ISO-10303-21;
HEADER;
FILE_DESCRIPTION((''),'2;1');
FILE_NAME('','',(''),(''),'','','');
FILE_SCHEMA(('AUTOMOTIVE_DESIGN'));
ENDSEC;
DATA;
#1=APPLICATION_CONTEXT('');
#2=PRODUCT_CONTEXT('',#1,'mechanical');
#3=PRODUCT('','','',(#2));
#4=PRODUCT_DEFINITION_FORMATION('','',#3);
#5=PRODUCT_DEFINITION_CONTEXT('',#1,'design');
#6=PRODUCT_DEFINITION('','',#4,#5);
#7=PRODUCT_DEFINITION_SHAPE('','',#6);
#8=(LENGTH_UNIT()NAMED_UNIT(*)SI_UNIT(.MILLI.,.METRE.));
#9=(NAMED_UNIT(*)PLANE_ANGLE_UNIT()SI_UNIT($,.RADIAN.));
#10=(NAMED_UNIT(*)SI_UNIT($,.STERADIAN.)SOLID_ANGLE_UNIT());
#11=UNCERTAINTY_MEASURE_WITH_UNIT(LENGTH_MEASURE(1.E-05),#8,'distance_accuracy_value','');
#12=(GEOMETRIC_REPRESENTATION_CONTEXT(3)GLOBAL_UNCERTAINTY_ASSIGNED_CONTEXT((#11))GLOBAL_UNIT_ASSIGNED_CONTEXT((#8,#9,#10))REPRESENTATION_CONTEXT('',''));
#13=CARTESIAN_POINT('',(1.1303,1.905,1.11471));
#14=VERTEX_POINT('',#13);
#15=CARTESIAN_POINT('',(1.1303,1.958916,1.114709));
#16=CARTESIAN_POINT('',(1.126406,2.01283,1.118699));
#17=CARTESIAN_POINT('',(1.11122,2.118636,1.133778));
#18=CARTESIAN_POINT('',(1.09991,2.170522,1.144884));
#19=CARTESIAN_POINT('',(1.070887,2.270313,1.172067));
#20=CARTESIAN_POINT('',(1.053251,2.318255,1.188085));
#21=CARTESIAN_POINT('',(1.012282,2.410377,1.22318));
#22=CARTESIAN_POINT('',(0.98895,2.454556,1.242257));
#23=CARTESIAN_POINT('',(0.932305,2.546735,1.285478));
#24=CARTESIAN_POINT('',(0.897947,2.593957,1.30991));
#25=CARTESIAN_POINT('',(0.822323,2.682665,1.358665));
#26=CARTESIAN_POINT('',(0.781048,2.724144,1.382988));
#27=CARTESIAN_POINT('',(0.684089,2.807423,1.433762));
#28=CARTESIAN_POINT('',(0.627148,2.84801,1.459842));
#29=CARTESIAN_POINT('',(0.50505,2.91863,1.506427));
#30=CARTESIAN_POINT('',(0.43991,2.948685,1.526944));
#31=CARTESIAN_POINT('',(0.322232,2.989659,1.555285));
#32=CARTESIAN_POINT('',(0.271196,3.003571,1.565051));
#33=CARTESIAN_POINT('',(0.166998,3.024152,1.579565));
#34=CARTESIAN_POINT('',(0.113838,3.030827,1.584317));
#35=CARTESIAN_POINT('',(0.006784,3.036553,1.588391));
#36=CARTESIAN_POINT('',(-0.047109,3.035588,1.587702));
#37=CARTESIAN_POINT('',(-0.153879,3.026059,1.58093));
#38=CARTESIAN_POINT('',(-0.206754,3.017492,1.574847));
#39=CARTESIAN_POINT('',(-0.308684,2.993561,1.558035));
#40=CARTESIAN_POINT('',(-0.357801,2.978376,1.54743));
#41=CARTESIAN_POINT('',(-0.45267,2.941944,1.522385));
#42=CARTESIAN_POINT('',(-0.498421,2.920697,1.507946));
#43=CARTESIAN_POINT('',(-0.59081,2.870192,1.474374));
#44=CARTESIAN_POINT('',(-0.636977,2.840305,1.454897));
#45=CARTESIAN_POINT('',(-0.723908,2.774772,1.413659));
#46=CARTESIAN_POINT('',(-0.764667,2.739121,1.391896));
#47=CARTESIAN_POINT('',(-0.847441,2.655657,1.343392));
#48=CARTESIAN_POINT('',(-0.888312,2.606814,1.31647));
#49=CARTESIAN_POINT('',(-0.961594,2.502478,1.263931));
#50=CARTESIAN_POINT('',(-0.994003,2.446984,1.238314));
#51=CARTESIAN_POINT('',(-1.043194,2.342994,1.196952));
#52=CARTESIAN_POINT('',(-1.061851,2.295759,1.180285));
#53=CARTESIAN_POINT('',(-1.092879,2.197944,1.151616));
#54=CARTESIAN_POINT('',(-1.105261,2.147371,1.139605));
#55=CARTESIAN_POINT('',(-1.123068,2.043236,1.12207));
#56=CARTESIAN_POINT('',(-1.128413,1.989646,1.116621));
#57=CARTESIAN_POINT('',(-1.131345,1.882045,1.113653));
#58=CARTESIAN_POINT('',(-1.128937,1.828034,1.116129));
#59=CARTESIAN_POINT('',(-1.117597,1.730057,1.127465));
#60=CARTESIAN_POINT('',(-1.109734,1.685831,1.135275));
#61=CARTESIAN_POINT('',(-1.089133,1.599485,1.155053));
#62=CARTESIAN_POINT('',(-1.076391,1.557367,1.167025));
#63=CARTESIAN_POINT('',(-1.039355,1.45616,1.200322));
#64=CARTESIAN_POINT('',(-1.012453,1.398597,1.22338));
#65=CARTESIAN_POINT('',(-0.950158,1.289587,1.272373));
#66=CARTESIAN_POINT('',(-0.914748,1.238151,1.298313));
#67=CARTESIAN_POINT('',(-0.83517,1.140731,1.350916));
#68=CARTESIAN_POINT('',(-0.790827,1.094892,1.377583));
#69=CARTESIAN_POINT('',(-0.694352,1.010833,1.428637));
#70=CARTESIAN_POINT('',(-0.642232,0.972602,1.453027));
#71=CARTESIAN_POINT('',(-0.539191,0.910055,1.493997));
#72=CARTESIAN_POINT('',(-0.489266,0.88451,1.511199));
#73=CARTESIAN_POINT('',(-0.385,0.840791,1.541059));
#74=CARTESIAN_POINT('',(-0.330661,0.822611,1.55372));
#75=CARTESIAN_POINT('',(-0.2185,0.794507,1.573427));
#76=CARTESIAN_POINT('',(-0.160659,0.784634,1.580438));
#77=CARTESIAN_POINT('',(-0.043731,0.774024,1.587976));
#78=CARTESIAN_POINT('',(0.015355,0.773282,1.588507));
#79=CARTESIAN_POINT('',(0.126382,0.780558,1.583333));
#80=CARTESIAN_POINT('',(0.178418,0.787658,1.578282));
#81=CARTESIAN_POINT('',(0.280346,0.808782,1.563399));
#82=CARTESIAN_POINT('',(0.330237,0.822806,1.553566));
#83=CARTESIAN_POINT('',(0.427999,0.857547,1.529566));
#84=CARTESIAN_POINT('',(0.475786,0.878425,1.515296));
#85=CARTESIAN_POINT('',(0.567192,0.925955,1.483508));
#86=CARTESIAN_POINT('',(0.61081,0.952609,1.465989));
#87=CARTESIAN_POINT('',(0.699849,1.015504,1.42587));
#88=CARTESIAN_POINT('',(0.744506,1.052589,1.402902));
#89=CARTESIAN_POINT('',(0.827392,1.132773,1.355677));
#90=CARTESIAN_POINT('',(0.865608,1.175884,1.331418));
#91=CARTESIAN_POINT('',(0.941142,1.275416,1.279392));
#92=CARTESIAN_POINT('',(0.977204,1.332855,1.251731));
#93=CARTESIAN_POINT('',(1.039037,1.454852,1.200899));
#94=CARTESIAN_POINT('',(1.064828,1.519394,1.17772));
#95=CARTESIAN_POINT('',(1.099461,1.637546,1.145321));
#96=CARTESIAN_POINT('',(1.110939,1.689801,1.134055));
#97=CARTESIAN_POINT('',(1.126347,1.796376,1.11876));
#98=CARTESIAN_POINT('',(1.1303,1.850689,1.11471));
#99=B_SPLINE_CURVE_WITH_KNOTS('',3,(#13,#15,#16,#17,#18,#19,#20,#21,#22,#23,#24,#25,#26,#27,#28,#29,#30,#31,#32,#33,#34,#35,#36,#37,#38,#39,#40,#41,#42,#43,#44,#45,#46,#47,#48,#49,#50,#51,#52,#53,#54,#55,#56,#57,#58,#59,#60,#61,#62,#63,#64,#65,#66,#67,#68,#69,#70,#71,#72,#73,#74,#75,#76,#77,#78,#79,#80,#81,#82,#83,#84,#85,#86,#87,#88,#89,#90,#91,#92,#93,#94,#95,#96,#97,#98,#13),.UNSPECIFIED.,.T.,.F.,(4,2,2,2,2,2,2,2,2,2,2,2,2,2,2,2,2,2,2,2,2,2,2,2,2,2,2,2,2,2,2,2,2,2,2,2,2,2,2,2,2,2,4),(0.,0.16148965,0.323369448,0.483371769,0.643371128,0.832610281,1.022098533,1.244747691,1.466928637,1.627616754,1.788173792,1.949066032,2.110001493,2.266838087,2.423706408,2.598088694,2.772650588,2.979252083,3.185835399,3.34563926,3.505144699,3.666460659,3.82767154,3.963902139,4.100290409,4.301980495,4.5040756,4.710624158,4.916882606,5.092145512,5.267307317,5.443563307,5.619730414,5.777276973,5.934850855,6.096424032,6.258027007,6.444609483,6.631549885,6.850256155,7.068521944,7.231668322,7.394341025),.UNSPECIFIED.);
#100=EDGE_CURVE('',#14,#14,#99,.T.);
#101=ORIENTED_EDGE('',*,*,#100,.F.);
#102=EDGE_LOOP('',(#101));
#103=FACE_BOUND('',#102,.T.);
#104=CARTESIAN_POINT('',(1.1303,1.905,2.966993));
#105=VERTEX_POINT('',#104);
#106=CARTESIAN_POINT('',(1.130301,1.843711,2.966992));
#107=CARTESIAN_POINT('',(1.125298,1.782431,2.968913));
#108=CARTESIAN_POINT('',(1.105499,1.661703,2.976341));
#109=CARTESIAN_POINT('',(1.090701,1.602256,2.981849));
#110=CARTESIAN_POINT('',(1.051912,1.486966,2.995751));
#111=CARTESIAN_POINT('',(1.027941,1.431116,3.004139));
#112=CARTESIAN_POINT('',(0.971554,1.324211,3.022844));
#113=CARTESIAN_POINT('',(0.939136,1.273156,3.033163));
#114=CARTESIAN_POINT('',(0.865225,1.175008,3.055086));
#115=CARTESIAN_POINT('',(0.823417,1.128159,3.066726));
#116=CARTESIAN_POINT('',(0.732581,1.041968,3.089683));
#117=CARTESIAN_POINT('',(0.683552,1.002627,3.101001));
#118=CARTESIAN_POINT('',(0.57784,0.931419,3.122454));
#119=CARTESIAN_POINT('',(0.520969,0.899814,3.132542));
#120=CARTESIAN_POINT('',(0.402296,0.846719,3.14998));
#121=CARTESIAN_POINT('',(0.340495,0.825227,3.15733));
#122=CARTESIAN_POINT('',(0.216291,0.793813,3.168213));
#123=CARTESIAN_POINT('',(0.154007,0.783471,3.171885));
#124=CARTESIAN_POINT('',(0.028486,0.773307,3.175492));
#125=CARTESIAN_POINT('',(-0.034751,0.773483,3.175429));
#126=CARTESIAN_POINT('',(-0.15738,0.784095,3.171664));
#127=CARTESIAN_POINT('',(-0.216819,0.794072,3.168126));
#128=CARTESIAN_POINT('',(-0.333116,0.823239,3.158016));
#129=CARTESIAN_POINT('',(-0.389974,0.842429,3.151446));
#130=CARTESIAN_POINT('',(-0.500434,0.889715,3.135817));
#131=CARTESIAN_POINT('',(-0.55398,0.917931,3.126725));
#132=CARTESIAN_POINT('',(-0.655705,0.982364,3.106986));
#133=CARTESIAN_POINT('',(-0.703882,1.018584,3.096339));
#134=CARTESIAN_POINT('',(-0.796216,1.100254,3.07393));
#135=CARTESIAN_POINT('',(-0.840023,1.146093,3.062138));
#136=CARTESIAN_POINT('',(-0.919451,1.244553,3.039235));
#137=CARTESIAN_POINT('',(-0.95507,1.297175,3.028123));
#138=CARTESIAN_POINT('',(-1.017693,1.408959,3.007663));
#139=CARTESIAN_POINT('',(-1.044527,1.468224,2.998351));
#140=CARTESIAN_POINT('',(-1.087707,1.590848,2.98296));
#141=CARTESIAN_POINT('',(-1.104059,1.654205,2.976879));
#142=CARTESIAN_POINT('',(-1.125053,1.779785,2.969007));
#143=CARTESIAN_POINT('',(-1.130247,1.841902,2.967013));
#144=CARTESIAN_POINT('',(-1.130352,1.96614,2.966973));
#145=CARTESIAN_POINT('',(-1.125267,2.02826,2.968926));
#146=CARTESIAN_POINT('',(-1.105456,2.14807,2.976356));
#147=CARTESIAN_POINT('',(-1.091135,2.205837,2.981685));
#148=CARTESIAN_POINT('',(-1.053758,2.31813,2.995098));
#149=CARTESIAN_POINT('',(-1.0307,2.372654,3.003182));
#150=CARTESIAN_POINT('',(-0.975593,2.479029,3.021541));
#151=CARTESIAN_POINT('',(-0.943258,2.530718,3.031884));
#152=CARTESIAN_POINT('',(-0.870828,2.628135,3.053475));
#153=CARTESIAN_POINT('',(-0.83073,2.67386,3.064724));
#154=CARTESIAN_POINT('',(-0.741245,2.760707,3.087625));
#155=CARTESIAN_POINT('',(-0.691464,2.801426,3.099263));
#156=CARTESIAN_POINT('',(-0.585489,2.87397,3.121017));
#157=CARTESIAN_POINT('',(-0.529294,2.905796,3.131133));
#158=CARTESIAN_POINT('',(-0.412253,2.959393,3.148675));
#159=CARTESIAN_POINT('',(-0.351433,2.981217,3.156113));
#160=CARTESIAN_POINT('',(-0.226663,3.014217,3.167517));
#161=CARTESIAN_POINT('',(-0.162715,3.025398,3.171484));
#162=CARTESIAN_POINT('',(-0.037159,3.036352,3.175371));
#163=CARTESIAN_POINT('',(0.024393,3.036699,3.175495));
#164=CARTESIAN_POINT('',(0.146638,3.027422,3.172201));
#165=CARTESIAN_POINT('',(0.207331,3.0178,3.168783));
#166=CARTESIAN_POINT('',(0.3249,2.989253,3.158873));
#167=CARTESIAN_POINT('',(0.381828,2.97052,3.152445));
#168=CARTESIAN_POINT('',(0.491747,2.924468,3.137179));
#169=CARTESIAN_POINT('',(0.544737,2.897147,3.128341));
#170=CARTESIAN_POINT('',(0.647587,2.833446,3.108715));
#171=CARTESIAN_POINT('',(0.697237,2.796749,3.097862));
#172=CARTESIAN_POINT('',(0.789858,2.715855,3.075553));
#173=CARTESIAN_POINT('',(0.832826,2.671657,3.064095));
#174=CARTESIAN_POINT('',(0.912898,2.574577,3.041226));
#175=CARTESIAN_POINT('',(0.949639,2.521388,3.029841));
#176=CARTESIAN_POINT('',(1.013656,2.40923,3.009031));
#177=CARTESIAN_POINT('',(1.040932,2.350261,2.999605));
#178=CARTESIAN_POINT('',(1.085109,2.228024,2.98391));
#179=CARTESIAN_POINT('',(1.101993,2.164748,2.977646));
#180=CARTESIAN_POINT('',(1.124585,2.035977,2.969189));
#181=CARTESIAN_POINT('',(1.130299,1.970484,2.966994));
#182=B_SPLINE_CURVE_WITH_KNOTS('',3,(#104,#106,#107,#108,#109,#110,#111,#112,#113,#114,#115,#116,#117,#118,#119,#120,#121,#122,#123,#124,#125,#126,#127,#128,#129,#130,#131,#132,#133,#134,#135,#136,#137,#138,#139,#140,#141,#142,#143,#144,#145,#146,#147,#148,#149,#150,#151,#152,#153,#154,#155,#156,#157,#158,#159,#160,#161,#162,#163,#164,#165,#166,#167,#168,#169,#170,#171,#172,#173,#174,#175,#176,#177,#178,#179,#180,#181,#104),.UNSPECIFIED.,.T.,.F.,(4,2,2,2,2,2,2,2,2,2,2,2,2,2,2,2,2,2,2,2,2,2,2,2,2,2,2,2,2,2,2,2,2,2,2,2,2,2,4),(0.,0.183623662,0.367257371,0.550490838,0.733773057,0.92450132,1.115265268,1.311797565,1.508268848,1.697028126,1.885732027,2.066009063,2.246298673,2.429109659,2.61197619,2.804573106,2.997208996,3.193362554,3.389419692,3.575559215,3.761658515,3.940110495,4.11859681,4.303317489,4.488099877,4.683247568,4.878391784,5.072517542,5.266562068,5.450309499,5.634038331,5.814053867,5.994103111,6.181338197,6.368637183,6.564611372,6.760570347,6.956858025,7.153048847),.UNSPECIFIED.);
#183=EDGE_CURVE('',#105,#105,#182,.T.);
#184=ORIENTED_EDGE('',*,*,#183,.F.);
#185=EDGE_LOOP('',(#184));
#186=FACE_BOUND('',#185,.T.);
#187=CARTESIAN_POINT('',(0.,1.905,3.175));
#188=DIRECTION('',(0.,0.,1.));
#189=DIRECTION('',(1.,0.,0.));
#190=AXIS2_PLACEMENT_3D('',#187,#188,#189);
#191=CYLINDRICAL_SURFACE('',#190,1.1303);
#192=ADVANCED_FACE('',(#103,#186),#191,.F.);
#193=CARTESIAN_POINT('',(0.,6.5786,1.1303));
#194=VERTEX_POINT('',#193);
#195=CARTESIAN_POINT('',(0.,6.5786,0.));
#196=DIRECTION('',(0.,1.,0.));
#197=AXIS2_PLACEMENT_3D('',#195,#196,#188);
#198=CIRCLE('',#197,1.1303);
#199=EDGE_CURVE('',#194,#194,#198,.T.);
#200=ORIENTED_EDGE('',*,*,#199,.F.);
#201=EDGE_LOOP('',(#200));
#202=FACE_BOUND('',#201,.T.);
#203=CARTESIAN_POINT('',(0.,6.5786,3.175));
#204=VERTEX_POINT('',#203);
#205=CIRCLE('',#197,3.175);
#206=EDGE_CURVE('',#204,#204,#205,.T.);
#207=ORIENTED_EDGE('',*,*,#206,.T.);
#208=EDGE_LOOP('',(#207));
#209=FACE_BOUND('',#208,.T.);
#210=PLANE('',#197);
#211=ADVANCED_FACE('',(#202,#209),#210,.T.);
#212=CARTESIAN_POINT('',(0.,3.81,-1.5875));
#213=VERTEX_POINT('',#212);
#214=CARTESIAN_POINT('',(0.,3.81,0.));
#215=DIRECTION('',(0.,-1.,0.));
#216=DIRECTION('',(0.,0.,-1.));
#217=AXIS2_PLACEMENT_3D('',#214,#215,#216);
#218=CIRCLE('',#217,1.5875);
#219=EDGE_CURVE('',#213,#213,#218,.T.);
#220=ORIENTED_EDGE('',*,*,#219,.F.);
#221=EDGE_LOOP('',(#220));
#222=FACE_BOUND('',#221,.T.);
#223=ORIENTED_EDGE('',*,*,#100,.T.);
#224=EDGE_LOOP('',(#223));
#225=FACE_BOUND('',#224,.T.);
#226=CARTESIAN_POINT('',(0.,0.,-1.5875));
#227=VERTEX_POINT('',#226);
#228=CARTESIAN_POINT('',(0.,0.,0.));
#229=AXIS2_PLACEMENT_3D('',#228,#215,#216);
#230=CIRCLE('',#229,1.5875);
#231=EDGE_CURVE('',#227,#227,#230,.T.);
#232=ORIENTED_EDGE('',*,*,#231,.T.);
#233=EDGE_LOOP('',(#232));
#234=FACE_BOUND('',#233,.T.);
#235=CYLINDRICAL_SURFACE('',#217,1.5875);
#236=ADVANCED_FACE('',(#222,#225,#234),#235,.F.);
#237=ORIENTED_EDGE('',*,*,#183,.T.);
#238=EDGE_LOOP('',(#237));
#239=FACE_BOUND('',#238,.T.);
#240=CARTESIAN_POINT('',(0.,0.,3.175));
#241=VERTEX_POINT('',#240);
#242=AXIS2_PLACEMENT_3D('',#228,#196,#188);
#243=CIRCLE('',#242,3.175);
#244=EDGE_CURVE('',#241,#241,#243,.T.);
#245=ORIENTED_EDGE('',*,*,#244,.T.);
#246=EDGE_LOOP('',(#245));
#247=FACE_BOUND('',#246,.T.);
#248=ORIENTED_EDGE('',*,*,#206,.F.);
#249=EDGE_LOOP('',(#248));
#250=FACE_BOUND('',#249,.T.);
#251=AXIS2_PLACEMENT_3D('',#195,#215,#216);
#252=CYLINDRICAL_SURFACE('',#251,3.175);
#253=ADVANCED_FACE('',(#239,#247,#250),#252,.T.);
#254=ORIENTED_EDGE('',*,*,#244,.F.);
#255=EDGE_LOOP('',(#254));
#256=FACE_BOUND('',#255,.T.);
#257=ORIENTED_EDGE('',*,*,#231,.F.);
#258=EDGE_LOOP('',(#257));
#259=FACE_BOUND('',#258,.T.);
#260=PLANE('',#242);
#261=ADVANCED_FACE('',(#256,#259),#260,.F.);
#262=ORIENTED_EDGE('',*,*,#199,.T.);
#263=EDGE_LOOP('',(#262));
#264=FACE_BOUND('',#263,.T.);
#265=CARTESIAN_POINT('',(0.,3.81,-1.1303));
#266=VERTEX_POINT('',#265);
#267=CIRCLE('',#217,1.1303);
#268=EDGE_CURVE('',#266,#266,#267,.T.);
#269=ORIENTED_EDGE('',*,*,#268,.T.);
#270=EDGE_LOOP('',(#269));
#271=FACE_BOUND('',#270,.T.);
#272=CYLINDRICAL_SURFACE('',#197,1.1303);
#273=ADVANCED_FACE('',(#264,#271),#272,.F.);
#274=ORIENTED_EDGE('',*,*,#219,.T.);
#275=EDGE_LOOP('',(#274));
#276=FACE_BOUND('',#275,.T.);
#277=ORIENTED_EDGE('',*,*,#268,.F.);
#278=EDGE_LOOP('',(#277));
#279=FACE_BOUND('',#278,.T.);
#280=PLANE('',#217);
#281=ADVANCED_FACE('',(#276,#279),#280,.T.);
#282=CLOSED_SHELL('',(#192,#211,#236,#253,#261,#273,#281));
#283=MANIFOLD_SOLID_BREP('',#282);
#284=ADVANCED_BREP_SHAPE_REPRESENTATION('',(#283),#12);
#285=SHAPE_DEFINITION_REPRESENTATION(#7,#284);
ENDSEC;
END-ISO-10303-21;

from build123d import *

# Parameters (mm, degrees)
SKETCH1_R                  = 3.175
BOSS_EXTRUDE1_DEPTH        = 6.5786
SKETCH2_R                  = 1.5875
CUT_EXTRUDE1_DEPTH         = 3.81
F_4_40_TAPPED_HOLE1_D      = 2.2606
F_4_40_TAPPED_HOLE1_DEPTH  = 12.7
F_4_40_TAPPED_HOLE1_TIP    = 0.679152758
F_4_40_TAPPED_HOLE2_REACH  = 11.679
F_4_40_TAPPED_HOLE2_BORE_R = 1.1303


with BuildPart() as part:
    # Sketch1 → Boss-Extrude1 (new body)
    with BuildSketch(Plane(origin=(0, 0, 0), x_dir=(1, 0, 0), z_dir=(0, 1, 0))):
        with Locations(Location((0, 0, 0), (0, 0, 270))):
            Circle(SKETCH1_R)
    extrude(amount=BOSS_EXTRUDE1_DEPTH)

    # Sketch2 → Cut-Extrude1 (cut)
    with BuildSketch(Plane.XZ):
        with Locations(Location((0, 0, 0), (0, 0, 270))):
            Circle(SKETCH2_R)
    extrude(amount=-CUT_EXTRUDE1_DEPTH, mode=Mode.SUBTRACT)

    # #4-40 Tapped Hole1
    with Locations(Plane(origin=(0, 6.5786, 0), x_dir=(1, 0, 0), z_dir=(0, 1, 0))):
        with Locations((0, 0)):
            Hole(F_4_40_TAPPED_HOLE1_D / 2, depth=F_4_40_TAPPED_HOLE1_DEPTH)
            with Locations((0, 0, -(F_4_40_TAPPED_HOLE1_DEPTH + F_4_40_TAPPED_HOLE1_TIP / 2))):  # 118° drill point
                Cone(0, F_4_40_TAPPED_HOLE1_D / 2, F_4_40_TAPPED_HOLE1_TIP, mode=Mode.SUBTRACT)

    # #4-40 Tapped Hole2 bore → #4-40 Tapped Hole2 (cut, up to next)
    with BuildSketch(Plane.XY.offset(3.175), mode=Mode.PRIVATE) as f_4_40_tapped_hole2_sk1:
        with Locations((0, 1.905)):
            Circle(F_4_40_TAPPED_HOLE2_BORE_R)
    f_4_40_tapped_hole2_tool1 = extrude(f_4_40_tapped_hole2_sk1.sketch, amount=-F_4_40_TAPPED_HOLE2_REACH, mode=Mode.PRIVATE) & part.part
    add(f_4_40_tapped_hole2_tool1.solids().sort_by_distance((0, 1.905, 3.175))[0], mode=Mode.SUBTRACT)


solid = part.part
